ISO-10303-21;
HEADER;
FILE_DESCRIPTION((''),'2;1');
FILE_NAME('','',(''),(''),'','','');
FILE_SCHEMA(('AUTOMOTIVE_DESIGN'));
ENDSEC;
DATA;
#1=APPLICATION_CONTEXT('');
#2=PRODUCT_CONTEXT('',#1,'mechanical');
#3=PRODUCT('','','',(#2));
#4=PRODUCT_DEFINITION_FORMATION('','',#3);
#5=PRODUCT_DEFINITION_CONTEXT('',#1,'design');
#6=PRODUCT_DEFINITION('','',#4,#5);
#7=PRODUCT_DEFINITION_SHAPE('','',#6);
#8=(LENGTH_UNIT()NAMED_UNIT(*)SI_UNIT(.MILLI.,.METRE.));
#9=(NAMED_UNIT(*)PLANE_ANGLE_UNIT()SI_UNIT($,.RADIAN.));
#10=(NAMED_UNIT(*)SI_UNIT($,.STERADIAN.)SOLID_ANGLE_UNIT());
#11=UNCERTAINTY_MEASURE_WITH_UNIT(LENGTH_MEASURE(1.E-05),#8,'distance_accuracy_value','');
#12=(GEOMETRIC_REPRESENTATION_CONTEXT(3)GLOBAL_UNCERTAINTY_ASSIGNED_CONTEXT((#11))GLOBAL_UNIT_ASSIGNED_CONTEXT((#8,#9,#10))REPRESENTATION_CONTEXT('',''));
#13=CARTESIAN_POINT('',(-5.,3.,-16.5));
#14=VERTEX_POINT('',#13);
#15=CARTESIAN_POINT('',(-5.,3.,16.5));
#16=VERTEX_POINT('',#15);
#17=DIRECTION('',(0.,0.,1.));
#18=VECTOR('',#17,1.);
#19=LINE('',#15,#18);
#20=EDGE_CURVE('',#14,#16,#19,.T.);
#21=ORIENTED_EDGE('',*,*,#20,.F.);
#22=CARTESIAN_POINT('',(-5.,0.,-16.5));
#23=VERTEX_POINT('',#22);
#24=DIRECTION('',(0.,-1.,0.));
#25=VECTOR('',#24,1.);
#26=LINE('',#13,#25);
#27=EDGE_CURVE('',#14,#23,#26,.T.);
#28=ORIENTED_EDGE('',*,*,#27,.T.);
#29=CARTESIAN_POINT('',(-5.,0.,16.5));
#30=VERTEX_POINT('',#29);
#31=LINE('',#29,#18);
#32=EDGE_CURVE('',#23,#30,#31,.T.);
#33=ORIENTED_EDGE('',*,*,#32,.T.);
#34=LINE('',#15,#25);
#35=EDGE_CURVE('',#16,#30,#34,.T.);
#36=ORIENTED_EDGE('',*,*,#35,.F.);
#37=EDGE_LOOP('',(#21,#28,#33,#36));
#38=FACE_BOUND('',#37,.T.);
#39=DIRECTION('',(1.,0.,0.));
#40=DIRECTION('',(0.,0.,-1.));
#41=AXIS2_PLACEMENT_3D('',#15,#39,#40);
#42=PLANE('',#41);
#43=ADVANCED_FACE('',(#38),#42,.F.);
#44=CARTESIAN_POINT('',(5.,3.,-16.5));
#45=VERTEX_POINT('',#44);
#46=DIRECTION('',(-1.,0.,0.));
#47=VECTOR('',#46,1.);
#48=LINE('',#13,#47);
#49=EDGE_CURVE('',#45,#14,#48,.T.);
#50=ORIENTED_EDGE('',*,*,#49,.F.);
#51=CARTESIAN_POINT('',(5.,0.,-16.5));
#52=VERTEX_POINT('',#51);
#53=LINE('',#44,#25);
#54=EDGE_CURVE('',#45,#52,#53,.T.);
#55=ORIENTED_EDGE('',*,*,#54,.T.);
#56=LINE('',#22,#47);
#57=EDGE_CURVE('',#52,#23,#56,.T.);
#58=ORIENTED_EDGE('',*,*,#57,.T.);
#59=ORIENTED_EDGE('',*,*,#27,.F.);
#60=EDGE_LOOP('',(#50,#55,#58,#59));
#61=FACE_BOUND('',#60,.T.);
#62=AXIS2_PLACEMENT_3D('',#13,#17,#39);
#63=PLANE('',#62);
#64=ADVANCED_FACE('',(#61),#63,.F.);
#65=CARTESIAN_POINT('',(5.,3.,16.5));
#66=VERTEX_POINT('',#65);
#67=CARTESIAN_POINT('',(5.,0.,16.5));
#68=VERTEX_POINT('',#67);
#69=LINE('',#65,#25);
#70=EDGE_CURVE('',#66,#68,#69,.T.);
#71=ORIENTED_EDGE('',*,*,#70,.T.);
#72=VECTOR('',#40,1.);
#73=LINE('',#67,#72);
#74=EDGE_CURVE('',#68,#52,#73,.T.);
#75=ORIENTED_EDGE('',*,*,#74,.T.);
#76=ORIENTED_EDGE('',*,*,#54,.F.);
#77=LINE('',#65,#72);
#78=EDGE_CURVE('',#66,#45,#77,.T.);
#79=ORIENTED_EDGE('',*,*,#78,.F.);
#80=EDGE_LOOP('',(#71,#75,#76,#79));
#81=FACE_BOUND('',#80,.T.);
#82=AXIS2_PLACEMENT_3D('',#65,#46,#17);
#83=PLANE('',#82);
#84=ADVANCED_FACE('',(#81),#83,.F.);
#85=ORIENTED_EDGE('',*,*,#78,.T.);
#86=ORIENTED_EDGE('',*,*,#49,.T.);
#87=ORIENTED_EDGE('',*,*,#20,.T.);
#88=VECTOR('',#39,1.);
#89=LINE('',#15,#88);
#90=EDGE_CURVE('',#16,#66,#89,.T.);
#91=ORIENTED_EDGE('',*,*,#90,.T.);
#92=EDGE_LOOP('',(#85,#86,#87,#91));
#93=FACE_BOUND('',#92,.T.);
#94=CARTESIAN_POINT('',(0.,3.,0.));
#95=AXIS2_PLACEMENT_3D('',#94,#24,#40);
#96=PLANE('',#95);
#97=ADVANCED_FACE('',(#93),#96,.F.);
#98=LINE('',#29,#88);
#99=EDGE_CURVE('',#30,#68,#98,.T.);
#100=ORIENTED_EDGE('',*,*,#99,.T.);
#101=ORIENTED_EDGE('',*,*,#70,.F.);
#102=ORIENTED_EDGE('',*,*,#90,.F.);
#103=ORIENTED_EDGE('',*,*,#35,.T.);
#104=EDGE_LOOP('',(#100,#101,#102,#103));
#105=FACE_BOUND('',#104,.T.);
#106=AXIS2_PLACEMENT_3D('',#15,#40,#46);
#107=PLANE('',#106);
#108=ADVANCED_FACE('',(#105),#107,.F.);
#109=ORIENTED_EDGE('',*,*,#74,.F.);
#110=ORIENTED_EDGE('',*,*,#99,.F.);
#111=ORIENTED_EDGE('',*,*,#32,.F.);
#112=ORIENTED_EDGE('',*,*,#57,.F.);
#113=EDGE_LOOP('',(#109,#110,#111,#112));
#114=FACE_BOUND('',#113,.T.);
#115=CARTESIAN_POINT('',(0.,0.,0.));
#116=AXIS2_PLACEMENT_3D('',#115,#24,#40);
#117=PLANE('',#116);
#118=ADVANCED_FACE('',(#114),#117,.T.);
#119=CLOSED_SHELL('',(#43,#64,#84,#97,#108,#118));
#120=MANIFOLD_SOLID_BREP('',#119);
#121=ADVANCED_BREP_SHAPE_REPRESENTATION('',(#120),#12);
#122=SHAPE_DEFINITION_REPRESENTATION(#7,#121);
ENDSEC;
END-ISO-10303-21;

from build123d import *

# Parameters (mm, degrees)
SKETCH_1_W      = 10
SKETCH_1_H      = 33
EXTRUDE_1_DEPTH = 3


with BuildPart() as part:
    # 草图1 → 凸台-拉伸1 (new body)
    with BuildSketch(Plane(origin=(0, 0, 0), x_dir=(1, 0, 0), z_dir=(0, 1, 0))):
        Rectangle(SKETCH_1_W, SKETCH_1_H)
    extrude(amount=EXTRUDE_1_DEPTH)


solid = part.part
